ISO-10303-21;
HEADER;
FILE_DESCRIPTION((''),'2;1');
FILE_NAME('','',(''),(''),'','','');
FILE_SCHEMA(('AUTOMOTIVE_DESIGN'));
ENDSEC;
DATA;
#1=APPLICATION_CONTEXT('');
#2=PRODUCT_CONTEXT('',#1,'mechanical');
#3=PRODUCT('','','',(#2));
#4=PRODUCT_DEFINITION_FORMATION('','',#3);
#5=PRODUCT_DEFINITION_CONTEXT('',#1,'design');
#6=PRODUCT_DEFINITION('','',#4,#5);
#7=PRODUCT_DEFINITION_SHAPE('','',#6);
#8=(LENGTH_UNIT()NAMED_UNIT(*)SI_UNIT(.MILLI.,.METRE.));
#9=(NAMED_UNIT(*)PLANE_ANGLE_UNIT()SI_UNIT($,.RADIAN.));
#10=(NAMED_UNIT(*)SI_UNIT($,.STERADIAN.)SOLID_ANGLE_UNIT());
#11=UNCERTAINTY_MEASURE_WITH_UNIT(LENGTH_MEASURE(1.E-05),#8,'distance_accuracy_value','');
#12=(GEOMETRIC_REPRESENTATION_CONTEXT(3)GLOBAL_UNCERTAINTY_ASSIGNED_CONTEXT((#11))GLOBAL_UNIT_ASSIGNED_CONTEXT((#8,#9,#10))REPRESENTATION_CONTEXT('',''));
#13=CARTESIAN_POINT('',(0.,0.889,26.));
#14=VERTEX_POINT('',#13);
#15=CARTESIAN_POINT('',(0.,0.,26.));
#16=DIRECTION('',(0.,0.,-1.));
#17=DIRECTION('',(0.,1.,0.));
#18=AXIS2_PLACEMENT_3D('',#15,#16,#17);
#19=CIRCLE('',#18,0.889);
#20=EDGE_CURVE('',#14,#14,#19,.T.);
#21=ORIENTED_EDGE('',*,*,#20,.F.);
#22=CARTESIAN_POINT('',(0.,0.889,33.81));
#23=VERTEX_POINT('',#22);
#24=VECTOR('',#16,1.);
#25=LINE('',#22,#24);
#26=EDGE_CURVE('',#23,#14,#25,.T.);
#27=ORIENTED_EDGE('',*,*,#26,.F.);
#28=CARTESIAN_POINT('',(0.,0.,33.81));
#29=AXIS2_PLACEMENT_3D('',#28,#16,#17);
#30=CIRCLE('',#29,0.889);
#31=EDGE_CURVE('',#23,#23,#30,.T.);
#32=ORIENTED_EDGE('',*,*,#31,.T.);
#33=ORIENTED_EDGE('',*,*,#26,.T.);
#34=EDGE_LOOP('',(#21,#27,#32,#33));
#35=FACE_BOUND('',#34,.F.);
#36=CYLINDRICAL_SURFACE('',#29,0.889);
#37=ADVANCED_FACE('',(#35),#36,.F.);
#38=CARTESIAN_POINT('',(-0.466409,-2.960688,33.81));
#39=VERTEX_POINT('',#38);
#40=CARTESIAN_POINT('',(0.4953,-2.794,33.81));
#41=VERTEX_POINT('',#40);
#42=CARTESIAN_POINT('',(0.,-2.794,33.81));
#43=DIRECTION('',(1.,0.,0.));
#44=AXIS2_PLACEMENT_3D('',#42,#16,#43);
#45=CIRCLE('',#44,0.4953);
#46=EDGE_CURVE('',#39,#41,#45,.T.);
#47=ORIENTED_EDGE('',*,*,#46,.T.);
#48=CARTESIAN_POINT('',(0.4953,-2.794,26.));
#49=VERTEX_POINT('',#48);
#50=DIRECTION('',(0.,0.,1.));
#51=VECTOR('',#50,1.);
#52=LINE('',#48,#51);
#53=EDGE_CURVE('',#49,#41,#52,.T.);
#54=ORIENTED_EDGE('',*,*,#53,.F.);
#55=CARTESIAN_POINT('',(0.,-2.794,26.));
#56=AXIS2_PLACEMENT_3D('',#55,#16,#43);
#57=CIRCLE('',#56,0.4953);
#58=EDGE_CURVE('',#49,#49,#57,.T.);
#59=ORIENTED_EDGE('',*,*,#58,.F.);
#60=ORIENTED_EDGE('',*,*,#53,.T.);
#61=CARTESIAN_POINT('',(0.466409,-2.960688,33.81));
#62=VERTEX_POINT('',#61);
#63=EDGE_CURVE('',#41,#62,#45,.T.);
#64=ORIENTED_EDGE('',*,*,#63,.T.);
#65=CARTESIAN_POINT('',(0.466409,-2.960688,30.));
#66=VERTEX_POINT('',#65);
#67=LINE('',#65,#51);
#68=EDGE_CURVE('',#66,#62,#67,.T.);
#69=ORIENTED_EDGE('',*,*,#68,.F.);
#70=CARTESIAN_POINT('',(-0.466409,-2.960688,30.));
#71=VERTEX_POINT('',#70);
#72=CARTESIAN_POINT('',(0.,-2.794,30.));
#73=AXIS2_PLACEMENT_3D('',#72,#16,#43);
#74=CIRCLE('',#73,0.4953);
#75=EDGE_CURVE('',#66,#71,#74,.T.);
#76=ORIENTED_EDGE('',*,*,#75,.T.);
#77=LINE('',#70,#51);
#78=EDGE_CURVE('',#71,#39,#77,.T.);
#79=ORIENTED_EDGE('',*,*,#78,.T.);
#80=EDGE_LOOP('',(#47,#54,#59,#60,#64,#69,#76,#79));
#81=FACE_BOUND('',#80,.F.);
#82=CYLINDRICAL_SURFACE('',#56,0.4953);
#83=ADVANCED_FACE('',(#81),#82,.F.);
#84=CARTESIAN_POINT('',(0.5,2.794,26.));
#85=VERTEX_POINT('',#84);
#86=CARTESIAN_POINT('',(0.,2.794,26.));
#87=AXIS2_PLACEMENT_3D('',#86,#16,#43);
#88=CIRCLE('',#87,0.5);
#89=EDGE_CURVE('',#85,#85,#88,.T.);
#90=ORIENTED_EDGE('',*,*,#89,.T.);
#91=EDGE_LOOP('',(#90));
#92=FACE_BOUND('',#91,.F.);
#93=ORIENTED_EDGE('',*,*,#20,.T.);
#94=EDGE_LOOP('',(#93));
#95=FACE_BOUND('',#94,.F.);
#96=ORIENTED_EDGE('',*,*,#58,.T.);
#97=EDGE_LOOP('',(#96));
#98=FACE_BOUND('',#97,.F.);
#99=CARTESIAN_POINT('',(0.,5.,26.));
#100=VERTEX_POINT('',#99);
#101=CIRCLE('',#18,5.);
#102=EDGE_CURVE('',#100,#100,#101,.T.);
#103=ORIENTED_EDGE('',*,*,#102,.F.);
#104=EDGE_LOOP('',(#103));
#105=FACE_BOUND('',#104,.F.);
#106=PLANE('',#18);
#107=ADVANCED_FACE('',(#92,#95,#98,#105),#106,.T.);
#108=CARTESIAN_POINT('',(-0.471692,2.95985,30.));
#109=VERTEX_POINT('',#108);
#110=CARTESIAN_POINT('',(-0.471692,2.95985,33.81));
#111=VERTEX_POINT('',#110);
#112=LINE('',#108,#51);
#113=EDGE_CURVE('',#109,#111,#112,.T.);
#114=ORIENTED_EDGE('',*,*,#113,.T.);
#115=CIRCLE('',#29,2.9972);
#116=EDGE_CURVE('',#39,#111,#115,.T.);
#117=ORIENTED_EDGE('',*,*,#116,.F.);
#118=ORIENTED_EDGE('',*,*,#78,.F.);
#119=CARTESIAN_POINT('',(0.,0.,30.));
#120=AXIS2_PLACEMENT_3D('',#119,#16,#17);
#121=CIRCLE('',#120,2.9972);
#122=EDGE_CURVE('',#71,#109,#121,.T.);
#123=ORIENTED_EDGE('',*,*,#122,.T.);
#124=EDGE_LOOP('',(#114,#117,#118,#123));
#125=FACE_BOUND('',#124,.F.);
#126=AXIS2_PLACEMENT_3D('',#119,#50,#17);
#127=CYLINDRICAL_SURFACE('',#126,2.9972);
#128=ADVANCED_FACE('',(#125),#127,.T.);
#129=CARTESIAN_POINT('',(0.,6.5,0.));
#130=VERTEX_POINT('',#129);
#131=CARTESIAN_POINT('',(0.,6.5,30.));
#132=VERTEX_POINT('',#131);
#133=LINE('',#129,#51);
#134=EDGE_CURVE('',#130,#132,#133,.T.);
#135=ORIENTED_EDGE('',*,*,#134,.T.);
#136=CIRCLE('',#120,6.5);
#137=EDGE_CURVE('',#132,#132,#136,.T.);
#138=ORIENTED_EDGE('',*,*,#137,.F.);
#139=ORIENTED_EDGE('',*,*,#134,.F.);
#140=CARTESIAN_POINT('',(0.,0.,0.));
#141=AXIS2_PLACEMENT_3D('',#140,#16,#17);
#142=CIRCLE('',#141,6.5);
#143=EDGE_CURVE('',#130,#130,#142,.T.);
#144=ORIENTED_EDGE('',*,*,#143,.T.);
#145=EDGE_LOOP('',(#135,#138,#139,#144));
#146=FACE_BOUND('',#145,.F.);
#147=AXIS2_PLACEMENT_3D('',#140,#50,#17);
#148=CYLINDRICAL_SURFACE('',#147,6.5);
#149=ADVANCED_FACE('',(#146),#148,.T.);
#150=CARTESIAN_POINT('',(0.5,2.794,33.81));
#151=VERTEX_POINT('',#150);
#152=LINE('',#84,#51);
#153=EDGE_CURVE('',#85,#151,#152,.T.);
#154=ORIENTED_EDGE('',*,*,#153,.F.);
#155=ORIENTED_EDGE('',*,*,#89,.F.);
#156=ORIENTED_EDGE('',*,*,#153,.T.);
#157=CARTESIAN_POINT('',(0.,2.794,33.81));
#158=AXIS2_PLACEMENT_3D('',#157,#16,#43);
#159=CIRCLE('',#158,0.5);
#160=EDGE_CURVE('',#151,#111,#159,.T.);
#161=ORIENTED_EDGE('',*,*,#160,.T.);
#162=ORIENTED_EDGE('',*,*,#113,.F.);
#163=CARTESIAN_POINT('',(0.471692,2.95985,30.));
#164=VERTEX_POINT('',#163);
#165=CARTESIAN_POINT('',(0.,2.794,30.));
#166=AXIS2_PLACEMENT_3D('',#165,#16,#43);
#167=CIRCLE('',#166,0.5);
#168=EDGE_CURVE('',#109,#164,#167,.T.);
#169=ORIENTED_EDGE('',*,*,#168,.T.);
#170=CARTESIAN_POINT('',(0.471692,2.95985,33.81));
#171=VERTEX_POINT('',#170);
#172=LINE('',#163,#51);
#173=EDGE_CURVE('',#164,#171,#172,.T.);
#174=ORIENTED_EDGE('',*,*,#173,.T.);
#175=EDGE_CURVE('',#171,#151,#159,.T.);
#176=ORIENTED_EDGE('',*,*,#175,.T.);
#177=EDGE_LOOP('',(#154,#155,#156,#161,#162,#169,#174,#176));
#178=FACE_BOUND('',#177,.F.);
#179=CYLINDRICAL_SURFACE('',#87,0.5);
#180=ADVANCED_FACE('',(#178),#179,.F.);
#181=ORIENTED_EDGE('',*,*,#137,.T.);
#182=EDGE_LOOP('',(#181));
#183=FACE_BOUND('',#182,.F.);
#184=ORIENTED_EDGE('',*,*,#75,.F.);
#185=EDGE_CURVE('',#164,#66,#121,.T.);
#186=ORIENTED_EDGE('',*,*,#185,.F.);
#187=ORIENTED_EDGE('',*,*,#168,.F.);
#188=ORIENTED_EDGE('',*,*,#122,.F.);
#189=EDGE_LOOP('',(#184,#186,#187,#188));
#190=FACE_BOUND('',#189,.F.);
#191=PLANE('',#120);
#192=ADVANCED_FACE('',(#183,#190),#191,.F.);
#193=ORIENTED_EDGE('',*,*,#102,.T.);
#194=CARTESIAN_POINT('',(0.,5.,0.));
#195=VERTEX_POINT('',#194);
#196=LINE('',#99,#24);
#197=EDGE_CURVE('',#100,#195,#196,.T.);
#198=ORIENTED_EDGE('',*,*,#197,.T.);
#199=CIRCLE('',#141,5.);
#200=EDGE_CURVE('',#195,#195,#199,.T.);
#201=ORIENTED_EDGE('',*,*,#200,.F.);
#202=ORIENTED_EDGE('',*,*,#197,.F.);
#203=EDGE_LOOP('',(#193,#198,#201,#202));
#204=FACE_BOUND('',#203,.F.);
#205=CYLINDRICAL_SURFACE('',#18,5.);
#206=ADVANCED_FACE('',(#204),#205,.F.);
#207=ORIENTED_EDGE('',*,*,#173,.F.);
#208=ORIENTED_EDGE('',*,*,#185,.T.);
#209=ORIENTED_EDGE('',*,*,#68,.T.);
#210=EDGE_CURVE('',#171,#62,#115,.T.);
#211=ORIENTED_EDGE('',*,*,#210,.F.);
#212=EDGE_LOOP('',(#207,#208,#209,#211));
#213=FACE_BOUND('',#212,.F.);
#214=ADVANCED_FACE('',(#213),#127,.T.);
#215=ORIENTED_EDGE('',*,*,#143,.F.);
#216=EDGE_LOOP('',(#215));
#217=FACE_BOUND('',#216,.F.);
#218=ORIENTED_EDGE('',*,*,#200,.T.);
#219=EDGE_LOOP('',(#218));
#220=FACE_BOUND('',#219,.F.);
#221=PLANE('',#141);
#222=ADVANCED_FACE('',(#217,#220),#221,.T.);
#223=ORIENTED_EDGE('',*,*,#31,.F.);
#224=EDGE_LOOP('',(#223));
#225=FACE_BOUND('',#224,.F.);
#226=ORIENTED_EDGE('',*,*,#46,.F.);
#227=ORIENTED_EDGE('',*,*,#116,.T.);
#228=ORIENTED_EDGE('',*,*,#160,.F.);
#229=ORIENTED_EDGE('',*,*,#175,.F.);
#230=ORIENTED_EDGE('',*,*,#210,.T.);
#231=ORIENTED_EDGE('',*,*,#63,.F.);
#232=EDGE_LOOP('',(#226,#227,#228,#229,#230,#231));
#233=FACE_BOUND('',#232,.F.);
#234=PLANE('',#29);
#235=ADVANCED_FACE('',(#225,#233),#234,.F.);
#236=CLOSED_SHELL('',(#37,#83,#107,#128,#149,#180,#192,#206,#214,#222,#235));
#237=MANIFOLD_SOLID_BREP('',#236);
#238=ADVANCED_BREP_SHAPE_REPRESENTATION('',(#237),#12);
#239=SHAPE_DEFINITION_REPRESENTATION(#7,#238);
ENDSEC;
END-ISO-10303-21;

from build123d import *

# Parameters (mm, degrees)
F2_R     = 0.5
F2_R_2   = 0.4953
F3_DEPTH = 25.4


with BuildPart() as f1:
    # F0 (on Right) → F1 (revolve)
    with BuildSketch(Plane.YZ):
        Polygon((5, 0), (6.5, 0), (6.5, 30), (2.9972, 30), (2.9972, 33.81), (0.889, 33.81), (0.889, 26), (5, 26), align=None)
    revolve(axis=Axis((0, 0, -0.007937), (0, 0, -1)))

    # F2 (on face) → F3 (cut)
    with BuildSketch(Plane(origin=(0, 0, 26), x_dir=(1, 0, 0), z_dir=(0, 0, -1))):
        with Locations((0, -2.794)):
            Circle(F2_R)
        with Locations((0, 2.794)):
            Circle(F2_R_2)
    extrude(amount=-F3_DEPTH, mode=Mode.SUBTRACT)


solid = f1.part
